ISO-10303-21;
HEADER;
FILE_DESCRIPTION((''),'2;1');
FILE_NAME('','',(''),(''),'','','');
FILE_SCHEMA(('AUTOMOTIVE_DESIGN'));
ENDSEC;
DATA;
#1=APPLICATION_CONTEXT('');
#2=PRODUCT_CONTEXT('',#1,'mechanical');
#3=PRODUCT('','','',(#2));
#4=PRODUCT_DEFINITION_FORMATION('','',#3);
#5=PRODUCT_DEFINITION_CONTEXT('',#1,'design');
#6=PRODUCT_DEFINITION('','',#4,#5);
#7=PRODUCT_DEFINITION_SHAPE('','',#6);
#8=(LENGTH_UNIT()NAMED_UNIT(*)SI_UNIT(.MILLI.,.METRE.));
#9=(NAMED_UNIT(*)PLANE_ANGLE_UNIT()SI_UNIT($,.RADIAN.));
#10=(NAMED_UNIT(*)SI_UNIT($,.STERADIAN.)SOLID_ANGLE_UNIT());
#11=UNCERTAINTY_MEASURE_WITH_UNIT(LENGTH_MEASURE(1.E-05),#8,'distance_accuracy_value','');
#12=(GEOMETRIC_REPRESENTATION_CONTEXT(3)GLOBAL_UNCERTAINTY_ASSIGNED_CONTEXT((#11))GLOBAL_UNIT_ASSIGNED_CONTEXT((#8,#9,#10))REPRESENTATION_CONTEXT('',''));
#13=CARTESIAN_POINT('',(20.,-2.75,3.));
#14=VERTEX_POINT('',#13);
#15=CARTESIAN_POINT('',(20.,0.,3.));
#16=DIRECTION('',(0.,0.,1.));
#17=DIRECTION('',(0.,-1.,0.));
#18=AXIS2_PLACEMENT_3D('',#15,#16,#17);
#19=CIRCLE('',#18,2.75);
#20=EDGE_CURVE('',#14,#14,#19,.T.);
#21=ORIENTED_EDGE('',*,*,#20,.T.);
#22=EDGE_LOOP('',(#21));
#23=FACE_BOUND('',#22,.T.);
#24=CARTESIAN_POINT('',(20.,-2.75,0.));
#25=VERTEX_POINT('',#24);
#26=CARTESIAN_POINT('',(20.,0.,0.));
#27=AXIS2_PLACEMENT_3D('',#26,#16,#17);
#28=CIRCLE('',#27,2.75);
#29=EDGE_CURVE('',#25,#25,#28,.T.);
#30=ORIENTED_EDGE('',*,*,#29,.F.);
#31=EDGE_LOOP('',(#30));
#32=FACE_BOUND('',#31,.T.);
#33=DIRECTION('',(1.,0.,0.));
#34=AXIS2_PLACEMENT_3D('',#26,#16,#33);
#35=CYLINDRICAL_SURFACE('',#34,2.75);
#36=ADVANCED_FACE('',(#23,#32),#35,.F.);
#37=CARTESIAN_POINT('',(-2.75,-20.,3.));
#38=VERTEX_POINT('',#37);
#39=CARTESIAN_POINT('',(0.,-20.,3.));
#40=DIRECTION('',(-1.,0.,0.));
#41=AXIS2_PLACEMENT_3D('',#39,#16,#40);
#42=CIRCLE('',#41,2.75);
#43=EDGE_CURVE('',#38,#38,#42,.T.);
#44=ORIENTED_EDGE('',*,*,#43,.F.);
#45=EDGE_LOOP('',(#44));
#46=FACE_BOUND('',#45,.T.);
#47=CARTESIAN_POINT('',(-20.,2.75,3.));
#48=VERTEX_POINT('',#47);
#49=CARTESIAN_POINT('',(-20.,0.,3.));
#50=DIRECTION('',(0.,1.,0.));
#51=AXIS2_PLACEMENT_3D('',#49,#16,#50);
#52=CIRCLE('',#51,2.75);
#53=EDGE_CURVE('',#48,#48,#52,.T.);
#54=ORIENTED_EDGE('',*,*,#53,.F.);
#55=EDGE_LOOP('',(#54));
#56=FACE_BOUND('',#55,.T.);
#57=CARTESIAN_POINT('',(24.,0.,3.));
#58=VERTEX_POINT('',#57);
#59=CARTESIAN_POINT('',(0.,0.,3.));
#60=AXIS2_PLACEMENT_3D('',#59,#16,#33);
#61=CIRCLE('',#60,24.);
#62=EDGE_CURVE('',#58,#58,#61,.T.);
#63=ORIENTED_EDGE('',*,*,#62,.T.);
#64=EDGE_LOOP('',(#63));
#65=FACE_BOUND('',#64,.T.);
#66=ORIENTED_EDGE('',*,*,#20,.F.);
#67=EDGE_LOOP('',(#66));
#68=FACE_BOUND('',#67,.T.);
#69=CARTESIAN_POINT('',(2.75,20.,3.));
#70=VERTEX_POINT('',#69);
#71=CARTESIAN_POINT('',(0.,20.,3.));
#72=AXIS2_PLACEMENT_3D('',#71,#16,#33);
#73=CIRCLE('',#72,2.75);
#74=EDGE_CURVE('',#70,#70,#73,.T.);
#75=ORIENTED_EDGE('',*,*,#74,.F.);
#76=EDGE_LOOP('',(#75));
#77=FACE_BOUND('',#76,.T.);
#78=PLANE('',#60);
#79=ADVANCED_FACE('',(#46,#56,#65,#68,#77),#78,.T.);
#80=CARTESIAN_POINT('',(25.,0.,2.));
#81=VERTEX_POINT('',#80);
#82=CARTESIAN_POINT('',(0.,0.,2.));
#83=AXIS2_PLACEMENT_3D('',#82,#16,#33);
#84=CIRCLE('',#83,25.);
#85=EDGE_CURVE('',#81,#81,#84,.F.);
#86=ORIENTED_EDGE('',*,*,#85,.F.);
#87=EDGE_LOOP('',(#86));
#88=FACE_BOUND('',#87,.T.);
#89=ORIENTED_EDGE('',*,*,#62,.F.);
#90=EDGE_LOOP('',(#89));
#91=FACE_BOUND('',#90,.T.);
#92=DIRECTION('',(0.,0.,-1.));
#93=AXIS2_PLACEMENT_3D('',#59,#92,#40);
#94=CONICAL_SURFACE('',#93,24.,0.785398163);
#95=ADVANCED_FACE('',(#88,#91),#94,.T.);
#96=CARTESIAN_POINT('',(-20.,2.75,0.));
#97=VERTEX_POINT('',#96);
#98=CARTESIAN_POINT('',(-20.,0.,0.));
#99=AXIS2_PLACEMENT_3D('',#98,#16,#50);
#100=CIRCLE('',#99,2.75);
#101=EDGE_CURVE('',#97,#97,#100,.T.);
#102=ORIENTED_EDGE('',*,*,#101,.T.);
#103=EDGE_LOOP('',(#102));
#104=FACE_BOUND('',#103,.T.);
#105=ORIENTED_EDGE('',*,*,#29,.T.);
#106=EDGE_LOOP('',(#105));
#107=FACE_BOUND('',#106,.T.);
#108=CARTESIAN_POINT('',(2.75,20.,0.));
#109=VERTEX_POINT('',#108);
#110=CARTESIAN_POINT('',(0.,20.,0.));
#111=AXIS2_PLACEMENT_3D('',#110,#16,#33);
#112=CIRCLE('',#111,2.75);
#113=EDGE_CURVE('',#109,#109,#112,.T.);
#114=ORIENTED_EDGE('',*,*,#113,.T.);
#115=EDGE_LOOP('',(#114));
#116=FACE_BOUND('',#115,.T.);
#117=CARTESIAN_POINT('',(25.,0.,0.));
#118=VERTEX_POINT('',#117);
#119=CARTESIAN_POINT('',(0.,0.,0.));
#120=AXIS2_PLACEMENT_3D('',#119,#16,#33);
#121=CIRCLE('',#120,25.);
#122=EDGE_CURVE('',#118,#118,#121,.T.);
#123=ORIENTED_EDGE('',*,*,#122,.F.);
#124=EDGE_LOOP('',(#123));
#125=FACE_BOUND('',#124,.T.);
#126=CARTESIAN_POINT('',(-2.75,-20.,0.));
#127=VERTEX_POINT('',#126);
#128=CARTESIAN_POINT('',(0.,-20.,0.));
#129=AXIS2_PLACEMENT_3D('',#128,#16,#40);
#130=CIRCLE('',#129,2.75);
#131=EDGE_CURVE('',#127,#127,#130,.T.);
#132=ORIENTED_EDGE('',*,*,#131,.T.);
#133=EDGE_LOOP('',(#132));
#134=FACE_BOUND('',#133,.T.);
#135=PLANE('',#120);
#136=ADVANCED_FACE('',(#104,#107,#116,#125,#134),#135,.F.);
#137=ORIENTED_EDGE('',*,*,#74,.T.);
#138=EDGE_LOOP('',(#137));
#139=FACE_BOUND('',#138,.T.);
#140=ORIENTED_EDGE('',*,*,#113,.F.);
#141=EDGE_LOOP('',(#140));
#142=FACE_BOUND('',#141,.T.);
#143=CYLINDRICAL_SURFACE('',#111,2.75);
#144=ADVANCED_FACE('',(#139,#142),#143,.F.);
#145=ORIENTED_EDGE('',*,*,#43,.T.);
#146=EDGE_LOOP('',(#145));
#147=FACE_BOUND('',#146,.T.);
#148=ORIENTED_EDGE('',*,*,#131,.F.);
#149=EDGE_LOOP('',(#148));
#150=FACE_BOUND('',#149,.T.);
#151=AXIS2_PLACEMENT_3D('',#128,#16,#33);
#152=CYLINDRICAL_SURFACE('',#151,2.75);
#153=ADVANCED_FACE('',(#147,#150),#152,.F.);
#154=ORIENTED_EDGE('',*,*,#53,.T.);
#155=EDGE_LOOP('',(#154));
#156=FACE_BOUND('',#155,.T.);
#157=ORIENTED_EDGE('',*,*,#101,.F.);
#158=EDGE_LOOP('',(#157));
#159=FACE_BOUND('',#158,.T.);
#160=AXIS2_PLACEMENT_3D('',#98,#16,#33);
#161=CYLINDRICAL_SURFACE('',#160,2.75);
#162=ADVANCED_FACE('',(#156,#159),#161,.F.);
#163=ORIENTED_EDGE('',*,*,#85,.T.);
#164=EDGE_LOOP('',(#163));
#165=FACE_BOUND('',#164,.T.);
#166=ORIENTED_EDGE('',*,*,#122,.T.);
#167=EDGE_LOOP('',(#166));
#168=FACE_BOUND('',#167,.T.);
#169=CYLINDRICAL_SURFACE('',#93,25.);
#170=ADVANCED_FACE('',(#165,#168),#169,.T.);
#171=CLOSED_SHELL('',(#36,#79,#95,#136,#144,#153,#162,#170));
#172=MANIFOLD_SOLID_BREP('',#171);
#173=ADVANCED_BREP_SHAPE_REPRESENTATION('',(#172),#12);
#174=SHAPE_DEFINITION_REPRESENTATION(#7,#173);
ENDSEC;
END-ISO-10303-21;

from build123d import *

# Parameters (mm, degrees)
SKETCH_1_R               = 25
EXTRUDE_1_DEPTH          = 3
CHAMFER_1_SIZE           = 1
SKETCH_2_R               = 2.75
CUT_EXTRUDE_1_DEPTH      = 36.482389998
PATTERN_CIRCULAR_1_COUNT = 4


with BuildPart() as part:
    # 草图1 → 凸台-拉伸1 (new body)
    with BuildSketch(Plane.XY):
        Circle(SKETCH_1_R)
    extrude(amount=EXTRUDE_1_DEPTH)

    # 倒角1
    chamfer_1_edges = [part.edges().sort_by_distance(p)[0] for p in [
        (-25, 0, 3),
    ]]
    chamfer(chamfer_1_edges, length=CHAMFER_1_SIZE)

    # 草图2 → 切除-拉伸1 (cut, through all)
    with BuildSketch(Plane.XY.offset(3)):
        with Locations((0, 20)):
            Circle(SKETCH_2_R)
    cut_extrude_1 = extrude(amount=-CUT_EXTRUDE_1_DEPTH, mode=Mode.SUBTRACT)

    # 阵列(圆周)1: 切除-拉伸1 ×4 about axis
    pattern_circular_1_axis = Axis((0, 0, 0), (0, 0, 1))
    for i in range(1, PATTERN_CIRCULAR_1_COUNT):
        add(cut_extrude_1.rotate(pattern_circular_1_axis, i * 360 / PATTERN_CIRCULAR_1_COUNT), mode=Mode.SUBTRACT)


solid = part.part
